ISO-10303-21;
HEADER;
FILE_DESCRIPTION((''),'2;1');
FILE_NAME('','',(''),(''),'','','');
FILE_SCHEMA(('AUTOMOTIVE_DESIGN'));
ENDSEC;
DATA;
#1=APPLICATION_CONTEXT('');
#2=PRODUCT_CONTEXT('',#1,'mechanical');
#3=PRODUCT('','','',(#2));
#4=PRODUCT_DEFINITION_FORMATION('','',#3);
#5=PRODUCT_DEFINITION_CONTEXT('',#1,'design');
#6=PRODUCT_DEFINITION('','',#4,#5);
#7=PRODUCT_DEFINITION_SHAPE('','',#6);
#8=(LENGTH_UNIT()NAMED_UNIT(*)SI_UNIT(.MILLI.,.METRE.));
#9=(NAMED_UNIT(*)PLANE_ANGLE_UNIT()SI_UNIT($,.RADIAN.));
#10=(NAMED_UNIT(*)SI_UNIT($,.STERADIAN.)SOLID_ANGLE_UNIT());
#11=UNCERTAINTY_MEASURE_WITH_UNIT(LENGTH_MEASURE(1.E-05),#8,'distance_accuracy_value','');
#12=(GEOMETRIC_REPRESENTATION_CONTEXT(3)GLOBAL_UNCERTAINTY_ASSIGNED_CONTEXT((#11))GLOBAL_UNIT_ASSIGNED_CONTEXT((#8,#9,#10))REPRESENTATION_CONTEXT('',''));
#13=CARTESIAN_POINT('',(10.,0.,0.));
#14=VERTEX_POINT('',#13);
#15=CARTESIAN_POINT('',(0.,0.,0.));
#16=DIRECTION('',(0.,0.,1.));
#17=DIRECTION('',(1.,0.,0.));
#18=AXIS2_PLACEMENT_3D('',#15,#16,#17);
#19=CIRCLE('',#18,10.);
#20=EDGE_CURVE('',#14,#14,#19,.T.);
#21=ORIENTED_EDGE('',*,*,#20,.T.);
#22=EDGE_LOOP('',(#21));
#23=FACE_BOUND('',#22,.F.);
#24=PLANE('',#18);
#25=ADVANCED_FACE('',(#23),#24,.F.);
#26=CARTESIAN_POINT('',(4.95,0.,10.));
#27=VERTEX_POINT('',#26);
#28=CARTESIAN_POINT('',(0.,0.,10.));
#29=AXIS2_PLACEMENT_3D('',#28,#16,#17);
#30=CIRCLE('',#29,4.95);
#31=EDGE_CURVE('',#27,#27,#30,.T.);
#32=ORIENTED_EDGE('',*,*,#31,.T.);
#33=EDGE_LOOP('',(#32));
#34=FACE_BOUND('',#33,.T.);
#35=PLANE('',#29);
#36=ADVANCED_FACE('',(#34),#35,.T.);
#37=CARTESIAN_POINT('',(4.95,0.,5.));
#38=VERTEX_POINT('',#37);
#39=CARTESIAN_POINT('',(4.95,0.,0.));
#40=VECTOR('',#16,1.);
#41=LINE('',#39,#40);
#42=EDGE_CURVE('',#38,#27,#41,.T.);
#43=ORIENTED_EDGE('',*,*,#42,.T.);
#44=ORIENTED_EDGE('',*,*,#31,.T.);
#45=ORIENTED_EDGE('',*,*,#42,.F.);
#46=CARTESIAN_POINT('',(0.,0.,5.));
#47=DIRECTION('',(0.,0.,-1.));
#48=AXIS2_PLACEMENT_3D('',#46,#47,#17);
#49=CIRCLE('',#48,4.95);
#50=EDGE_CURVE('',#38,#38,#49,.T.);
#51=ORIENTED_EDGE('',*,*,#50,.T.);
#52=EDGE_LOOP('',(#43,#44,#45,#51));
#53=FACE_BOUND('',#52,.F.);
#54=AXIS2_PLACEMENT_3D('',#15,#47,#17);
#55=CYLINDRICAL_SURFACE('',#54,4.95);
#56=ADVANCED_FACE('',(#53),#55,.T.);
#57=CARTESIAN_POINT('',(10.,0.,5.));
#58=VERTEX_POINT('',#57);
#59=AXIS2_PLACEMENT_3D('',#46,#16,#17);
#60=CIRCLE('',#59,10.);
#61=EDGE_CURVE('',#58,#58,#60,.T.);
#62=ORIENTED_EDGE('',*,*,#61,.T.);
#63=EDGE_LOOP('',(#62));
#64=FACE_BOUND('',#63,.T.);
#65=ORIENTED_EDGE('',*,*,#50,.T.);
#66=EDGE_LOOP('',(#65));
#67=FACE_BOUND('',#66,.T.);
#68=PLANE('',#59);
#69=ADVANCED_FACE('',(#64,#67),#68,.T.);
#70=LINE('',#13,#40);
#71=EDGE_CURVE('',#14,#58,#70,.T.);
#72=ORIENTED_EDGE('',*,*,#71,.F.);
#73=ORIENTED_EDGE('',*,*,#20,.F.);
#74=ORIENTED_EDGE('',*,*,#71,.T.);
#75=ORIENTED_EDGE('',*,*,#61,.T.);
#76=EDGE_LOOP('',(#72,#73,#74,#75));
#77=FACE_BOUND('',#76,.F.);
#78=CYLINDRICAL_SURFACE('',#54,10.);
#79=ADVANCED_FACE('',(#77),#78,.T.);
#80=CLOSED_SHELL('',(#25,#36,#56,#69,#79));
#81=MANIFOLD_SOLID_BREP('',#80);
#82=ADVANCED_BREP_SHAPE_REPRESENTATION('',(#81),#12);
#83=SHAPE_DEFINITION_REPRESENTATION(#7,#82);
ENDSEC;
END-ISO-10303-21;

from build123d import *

# Parameters (mm, degrees)
SKETCH_R     = 10
PAD_DEPTH    = 5
SKETCH001_R  = 4.95
PAD001_DEPTH = 10


with BuildPart() as part:
    # Sketch → Pad (new body)
    with BuildSketch(Plane.XY):
        Circle(SKETCH_R)
    extrude(amount=PAD_DEPTH)

    # Sketch001 → Pad001 (join)
    with BuildSketch(Plane.XY):
        Circle(SKETCH001_R)
    extrude(amount=PAD001_DEPTH)


solid = part.part
